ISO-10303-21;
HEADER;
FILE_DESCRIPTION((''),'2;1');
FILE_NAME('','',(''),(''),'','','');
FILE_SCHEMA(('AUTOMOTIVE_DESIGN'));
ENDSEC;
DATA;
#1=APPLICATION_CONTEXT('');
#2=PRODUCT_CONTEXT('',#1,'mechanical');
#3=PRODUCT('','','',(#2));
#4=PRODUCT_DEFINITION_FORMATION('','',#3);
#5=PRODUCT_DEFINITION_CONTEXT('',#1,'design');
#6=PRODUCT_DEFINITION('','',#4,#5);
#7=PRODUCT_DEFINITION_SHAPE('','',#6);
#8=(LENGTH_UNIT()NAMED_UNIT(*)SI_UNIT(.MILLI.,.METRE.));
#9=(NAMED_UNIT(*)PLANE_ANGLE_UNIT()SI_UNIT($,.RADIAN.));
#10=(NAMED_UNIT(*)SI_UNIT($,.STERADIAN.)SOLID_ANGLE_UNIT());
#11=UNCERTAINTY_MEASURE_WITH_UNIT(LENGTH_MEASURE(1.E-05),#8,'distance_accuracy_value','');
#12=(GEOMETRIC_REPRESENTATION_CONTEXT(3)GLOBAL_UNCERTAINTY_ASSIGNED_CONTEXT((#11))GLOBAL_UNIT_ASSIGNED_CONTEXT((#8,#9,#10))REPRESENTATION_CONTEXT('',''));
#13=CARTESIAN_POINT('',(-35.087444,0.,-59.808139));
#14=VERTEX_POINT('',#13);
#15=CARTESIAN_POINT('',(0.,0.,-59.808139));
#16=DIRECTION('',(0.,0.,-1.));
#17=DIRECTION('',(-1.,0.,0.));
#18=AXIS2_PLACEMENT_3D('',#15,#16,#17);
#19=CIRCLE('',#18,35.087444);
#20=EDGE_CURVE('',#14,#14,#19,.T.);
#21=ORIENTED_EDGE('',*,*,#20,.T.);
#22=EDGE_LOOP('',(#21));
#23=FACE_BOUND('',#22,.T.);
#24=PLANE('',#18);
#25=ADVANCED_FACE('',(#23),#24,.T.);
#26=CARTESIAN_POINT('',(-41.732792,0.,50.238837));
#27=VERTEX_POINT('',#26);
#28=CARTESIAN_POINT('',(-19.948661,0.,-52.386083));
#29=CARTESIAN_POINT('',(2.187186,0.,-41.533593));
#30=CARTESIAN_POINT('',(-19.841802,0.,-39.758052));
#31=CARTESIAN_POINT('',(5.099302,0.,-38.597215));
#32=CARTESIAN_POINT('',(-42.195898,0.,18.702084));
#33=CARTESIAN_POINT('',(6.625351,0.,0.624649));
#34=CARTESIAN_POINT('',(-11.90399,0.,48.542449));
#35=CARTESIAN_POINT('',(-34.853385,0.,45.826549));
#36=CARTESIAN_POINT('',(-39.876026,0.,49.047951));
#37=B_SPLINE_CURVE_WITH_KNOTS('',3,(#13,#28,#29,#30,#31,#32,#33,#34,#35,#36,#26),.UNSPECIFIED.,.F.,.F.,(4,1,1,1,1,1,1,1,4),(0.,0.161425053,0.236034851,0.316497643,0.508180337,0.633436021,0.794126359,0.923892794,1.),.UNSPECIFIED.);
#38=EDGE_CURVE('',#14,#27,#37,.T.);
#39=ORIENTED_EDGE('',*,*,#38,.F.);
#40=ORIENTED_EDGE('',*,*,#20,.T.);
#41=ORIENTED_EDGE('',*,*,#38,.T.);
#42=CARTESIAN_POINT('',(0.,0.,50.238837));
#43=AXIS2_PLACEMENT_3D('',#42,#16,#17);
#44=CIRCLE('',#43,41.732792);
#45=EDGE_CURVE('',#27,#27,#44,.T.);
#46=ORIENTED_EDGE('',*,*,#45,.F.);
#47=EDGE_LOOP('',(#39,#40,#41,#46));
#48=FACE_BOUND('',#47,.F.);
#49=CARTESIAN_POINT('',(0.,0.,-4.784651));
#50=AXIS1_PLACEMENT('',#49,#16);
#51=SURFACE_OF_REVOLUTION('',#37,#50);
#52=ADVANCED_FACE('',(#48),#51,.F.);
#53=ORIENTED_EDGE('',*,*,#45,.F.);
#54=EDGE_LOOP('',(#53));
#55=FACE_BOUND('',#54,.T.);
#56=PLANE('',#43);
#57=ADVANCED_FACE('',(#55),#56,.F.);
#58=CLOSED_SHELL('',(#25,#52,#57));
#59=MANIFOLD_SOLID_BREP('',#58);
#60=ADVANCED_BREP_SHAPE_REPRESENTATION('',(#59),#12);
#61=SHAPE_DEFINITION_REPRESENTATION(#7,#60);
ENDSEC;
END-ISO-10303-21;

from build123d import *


with BuildPart() as f1:
    # F0 (on Front) → F1 (revolve)
    with BuildSketch(Plane.XZ):
        with BuildLine():
            Line((-35.0874438882, -59.8081387579), (0, -59.8081387579))
            Line((0, -59.8081387579), (0, 50.2388365567))
            Line((0, 50.2388365567), (-41.7327918112, 50.2388365567))
            add(Edge.make_bspline(
                [(-35.0874438882, -59.8081387579), (-19.9486612024, -52.386083273), (2.1871859434, -41.5335934041), (-19.8418022617, -39.7580520129), (5.0993016714, -38.5972148508), (-42.1958979308, 18.7020838839), (6.6253506993, 0.6246494319), (-11.9039904515, 48.5424486046), (-34.853384897, 45.826549333), (-39.8760258554, 49.0479512367), (-41.7327918112, 50.2388365567)],
                knots=[0, 0, 0, 0, 0.1614250535, 0.2360348507, 0.3164976434, 0.5081803368, 0.6334360207, 0.7941263589, 0.9238927944, 1, 1, 1, 1], degree=3))
        make_face()
    revolve(axis=Axis((0, 0, -4.7846511006), (0, 0, -1)))


solid = f1.part
